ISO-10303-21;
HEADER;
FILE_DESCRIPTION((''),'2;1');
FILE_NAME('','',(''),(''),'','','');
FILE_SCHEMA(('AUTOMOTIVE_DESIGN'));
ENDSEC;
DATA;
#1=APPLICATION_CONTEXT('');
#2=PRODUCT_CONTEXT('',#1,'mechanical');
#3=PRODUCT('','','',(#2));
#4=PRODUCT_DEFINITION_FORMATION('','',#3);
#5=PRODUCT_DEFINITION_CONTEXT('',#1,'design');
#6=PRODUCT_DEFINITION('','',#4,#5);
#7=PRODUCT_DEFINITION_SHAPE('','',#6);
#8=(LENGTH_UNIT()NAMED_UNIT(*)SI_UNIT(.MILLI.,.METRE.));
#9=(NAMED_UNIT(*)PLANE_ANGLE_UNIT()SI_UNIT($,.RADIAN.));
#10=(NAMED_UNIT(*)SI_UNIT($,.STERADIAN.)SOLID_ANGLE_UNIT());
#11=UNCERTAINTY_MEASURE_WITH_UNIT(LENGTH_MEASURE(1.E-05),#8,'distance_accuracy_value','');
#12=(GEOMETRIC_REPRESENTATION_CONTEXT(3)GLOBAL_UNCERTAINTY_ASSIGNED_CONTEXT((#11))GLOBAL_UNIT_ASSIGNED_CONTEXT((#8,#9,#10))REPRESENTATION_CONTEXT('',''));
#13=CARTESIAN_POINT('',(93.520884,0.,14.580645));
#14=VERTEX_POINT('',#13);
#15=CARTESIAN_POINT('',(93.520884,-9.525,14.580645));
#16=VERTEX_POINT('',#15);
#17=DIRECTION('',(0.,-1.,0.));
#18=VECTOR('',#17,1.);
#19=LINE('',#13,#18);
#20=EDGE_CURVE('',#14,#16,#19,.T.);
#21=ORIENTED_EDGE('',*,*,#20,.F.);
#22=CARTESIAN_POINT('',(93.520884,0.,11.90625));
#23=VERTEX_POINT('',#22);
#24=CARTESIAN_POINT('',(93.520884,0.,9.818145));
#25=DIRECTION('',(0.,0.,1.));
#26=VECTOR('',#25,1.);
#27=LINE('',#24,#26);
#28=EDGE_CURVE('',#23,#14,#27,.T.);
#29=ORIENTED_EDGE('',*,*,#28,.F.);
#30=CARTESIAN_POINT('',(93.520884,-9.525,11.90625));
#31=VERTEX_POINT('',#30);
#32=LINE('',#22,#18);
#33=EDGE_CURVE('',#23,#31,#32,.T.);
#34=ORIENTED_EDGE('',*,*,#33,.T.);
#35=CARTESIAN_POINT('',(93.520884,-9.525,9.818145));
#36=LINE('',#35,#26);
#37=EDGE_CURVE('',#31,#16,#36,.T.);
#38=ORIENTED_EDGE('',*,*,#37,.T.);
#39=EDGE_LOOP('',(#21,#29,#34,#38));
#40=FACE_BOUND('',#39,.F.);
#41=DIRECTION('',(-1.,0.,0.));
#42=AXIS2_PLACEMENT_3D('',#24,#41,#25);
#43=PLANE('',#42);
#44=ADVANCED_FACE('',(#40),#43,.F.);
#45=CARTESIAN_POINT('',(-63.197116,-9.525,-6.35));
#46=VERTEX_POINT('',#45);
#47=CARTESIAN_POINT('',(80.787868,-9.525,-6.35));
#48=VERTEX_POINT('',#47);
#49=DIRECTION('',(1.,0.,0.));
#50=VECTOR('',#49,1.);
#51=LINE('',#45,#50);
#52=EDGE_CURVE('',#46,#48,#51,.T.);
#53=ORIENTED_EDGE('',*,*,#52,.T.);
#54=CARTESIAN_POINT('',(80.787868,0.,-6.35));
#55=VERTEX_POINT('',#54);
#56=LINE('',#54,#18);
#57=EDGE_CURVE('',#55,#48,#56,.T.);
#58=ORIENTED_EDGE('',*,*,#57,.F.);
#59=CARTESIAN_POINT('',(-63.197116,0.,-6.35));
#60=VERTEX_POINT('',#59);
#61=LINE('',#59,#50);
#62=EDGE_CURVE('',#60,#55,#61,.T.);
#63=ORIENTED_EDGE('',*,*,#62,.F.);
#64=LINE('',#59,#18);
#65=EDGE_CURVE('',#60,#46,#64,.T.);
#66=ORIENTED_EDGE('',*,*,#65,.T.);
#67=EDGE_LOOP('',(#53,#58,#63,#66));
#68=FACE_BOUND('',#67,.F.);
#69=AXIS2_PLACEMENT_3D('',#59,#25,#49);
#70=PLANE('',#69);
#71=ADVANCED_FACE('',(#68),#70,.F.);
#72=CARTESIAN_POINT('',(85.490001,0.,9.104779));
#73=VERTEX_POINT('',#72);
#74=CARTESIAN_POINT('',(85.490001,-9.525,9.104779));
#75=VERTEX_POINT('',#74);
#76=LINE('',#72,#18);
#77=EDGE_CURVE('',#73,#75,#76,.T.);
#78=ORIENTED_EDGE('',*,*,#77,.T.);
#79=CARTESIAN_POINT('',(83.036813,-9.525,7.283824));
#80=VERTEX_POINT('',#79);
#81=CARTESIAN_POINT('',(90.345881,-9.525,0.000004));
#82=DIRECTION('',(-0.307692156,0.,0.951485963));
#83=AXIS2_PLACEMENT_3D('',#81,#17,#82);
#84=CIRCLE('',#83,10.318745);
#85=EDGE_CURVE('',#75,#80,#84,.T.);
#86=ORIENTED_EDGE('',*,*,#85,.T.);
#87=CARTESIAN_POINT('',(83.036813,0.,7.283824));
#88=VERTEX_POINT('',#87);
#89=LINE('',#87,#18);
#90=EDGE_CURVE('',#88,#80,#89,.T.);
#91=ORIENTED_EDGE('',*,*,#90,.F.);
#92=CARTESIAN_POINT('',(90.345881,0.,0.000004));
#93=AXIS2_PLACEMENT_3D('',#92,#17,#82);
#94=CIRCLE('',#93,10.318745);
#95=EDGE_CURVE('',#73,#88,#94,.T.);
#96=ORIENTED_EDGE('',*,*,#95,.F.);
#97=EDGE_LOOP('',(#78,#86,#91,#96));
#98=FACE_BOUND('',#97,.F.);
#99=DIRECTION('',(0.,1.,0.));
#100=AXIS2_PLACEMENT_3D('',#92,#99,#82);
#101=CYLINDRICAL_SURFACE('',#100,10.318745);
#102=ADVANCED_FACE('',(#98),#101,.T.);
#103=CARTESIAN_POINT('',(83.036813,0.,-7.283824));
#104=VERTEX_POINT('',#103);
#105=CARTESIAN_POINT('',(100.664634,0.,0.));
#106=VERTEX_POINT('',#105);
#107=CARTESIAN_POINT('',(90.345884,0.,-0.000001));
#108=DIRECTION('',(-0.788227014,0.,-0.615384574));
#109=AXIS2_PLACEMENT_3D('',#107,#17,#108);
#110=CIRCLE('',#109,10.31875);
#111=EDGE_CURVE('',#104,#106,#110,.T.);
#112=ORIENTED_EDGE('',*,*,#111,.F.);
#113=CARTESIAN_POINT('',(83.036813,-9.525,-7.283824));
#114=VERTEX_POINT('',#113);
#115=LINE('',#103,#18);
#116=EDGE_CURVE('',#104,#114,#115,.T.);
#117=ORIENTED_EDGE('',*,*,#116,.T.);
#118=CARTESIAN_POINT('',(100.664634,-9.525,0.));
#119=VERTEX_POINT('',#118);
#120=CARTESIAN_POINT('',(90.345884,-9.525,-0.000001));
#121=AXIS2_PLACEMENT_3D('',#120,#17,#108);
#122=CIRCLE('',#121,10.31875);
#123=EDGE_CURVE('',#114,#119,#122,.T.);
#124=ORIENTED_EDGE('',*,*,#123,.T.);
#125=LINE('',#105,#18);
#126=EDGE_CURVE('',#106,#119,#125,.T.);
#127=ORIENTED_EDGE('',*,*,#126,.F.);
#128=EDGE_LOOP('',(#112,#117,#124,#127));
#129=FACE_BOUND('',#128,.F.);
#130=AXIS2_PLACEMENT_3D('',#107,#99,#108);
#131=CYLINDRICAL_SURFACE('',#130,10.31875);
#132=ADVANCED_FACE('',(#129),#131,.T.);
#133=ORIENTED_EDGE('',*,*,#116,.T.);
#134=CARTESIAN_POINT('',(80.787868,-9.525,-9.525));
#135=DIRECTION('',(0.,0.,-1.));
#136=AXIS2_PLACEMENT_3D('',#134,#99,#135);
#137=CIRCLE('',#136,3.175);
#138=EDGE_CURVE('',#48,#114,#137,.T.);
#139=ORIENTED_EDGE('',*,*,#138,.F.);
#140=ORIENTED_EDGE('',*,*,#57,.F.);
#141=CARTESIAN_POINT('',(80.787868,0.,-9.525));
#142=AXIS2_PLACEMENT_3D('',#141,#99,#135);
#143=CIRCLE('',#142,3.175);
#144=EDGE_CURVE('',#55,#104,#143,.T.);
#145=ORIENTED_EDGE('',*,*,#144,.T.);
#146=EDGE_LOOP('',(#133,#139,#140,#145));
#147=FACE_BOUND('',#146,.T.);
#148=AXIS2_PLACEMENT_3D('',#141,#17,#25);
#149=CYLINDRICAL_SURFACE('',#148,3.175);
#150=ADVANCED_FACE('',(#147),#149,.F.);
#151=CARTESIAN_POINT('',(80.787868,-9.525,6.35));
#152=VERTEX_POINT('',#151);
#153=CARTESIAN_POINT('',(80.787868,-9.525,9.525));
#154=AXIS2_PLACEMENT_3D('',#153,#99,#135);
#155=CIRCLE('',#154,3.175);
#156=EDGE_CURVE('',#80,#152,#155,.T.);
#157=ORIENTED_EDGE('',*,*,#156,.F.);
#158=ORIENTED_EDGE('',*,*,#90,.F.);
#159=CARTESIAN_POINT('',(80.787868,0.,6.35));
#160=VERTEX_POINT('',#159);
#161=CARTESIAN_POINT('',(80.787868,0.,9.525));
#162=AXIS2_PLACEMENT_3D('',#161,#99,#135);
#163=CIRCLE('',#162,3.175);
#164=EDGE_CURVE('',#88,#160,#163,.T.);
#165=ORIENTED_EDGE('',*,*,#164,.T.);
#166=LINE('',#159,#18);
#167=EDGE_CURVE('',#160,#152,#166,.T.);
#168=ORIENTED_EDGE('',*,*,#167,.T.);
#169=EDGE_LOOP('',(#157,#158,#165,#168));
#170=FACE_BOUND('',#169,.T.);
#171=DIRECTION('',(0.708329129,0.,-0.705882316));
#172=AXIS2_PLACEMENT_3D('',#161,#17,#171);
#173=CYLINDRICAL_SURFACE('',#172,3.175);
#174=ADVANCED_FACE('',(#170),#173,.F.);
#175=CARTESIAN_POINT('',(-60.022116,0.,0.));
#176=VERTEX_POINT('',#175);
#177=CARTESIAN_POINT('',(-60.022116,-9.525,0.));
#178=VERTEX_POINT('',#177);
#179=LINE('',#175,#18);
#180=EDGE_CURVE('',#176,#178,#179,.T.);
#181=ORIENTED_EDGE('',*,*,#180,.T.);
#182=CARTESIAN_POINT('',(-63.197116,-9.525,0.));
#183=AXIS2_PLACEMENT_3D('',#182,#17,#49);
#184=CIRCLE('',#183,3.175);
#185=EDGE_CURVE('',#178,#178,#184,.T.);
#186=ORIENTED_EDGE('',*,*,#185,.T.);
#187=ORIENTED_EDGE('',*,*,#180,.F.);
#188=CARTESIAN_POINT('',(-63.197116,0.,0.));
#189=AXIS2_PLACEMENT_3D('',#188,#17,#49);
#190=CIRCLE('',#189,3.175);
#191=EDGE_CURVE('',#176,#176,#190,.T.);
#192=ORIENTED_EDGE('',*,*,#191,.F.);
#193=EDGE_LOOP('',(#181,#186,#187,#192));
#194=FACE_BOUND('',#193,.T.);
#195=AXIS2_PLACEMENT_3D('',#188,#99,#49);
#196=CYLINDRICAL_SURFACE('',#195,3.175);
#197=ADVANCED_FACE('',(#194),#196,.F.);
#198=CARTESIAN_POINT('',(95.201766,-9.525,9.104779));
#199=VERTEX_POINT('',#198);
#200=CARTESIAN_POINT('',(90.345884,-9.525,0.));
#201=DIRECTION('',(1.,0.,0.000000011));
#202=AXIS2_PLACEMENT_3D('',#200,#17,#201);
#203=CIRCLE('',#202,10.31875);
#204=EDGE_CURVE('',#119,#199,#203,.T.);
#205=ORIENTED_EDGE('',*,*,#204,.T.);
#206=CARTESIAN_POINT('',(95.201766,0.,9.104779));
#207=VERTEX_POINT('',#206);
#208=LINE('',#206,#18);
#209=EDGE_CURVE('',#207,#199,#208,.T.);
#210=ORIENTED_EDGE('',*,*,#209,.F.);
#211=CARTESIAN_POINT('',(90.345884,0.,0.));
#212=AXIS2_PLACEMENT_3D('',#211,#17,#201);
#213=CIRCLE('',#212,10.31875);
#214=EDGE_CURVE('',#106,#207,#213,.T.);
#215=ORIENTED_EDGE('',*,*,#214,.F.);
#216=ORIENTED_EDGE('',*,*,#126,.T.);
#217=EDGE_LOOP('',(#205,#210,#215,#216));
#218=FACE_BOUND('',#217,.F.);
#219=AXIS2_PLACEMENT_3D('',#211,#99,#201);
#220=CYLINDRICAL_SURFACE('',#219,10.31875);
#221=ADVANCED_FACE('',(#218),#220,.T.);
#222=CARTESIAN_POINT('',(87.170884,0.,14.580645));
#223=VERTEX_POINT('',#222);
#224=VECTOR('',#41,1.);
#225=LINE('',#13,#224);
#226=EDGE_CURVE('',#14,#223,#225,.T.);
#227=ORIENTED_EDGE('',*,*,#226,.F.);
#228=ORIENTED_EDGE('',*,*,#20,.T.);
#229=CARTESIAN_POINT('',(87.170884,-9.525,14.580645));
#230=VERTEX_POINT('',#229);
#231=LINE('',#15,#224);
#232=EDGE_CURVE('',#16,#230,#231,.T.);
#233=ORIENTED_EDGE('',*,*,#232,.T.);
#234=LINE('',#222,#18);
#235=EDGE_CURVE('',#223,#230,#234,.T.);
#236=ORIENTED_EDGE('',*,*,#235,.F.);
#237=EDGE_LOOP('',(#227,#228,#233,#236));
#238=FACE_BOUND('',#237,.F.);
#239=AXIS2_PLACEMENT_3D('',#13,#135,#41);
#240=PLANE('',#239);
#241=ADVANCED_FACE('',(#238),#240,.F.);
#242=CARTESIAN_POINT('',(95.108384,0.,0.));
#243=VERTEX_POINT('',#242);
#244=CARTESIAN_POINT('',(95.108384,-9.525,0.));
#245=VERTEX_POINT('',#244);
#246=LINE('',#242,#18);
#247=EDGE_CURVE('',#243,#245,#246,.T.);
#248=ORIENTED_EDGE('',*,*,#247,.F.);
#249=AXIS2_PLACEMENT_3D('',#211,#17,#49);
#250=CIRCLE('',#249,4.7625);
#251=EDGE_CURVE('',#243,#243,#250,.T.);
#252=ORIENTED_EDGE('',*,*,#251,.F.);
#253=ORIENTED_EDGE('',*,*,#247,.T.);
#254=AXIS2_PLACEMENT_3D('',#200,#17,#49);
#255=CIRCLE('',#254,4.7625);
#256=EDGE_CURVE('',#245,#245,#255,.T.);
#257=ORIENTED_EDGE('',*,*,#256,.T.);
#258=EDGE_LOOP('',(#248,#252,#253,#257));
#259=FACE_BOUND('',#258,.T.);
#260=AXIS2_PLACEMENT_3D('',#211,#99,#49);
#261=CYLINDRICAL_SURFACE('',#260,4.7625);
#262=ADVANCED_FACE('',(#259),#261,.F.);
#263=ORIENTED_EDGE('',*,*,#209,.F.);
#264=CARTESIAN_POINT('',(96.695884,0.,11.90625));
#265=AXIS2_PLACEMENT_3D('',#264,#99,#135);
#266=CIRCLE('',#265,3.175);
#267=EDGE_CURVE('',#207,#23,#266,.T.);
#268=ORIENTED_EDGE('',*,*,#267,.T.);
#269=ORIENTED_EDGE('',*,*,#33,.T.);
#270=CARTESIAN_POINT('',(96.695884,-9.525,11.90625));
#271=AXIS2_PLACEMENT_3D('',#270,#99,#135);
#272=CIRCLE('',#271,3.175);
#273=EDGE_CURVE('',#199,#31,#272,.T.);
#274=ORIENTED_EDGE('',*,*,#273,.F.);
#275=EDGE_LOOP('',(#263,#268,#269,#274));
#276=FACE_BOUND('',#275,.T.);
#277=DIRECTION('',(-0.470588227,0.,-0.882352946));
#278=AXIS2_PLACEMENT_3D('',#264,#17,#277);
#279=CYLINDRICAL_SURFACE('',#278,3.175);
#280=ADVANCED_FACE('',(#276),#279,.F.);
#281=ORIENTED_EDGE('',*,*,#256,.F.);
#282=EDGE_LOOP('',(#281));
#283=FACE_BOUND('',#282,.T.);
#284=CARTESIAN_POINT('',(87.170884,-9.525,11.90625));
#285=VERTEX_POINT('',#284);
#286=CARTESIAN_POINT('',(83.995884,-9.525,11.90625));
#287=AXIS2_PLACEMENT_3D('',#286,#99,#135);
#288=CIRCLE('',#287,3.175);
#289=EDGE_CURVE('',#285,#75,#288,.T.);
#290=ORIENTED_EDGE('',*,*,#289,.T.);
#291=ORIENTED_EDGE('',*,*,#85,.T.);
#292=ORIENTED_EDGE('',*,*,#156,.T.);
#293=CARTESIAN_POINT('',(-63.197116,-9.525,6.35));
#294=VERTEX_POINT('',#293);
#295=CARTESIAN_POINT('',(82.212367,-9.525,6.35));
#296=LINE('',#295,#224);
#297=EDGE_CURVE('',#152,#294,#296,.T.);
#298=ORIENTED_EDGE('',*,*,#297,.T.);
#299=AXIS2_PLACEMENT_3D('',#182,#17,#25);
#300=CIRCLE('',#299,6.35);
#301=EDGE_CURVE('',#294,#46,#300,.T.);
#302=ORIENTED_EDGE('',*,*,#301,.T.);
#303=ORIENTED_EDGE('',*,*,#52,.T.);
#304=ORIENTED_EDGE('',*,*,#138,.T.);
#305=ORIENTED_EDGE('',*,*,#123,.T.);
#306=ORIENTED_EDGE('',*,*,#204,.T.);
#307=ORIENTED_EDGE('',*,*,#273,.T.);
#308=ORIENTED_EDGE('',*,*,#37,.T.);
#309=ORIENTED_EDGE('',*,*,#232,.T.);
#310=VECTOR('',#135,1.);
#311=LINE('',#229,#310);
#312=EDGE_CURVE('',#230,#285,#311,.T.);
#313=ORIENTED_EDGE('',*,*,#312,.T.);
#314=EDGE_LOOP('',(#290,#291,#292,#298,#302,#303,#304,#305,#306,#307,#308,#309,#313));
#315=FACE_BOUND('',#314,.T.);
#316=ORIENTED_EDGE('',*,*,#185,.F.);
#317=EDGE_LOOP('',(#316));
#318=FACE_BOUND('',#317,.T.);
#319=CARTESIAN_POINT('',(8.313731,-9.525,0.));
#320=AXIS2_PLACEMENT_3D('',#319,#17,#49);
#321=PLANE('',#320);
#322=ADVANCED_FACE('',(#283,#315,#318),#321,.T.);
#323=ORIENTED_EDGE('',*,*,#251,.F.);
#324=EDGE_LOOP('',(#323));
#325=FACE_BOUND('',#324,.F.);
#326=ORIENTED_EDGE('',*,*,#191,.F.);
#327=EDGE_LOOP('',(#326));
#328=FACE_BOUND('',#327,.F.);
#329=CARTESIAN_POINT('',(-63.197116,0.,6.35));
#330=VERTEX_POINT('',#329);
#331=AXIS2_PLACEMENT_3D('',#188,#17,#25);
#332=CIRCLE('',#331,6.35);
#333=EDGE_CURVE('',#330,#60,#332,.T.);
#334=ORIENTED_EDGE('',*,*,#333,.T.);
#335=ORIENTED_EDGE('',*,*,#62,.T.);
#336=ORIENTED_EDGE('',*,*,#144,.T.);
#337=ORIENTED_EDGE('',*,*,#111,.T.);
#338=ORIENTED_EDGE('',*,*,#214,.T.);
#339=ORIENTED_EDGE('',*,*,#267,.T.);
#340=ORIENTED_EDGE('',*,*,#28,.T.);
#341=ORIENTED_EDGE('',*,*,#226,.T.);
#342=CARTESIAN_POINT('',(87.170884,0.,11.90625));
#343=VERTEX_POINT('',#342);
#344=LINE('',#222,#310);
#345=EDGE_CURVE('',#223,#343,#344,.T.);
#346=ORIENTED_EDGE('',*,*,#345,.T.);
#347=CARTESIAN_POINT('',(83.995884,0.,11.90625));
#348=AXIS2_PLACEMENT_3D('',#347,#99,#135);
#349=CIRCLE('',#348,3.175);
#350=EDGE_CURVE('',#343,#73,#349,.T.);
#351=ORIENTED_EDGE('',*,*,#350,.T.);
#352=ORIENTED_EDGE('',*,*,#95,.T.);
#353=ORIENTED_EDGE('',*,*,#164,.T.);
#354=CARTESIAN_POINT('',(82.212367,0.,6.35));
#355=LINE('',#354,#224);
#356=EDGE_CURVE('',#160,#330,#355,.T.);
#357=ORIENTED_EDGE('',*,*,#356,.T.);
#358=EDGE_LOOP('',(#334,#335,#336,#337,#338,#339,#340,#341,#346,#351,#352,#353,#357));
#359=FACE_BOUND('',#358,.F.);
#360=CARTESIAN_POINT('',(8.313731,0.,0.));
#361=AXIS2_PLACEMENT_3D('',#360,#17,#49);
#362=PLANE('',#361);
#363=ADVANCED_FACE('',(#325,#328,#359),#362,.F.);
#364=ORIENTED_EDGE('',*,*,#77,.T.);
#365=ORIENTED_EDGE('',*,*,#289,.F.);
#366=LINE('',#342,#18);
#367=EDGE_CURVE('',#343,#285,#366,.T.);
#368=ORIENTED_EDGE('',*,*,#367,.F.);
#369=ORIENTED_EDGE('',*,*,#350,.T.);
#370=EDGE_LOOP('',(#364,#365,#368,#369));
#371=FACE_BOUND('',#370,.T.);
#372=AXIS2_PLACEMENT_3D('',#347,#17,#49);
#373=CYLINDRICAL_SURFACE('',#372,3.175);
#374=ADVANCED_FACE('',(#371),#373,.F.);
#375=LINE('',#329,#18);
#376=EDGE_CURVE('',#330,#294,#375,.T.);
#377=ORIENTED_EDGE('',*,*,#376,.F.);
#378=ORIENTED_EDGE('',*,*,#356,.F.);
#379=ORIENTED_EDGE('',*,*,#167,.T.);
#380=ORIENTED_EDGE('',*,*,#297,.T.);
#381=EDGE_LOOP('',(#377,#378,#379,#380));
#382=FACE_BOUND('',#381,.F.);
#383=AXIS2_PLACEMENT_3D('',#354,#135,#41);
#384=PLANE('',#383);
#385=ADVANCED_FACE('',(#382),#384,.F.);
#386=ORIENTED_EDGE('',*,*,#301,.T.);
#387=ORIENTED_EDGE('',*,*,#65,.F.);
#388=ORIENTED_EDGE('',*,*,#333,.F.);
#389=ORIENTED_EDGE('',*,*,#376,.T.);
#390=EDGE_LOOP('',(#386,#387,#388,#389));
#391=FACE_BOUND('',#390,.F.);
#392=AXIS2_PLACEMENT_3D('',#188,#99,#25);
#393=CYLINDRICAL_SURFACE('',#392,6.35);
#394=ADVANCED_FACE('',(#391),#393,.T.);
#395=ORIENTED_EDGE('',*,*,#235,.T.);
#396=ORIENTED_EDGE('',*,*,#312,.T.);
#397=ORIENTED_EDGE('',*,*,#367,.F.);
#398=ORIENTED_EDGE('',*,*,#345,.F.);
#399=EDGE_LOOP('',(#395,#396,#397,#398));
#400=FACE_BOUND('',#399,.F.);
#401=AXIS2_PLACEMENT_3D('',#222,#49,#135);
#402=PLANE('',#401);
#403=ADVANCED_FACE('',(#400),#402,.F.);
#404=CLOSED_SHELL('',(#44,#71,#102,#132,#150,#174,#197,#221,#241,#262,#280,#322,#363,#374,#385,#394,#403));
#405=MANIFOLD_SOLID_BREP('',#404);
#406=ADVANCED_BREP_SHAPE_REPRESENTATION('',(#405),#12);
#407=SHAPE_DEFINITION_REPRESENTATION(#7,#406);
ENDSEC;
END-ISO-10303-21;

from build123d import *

# Parameters (mm, degrees)
F0_R     = 3.175
F0_R_2   = 4.7625
F1_DEPTH = 9.525
F2_R     = 3.175


with BuildPart() as f1:
    # F0 (on Front) → F1 (new body)
    with BuildSketch(Plane.XZ):
        with BuildLine():
            ThreePointArc((-63.197116, 6.35), (-58.706988, 4.490128), (-56.847116, 0))
            ThreePointArc((-56.847116, 0), (-58.706988, -4.490128), (-63.197116, -6.35))
            Line((-63.197116, -6.35), (82.212367, -6.35))
            ThreePointArc((82.212367, -6.35), (80.027134, 0), (82.212367, 6.35))
            Line((82.212367, 6.35), (-63.197116, 6.35))
        make_face()
        with BuildLine():
            ThreePointArc((-63.197116, -6.35), (-58.706988, -4.490128), (-56.847116, 0))
            ThreePointArc((-56.847116, 0), (-58.706988, 4.490128), (-63.197116, 6.35))
            ThreePointArc((-63.197116, 6.35), (-69.547116, 0), (-63.197116, -6.35))
        make_face()
        with Locations((-63.197116, 0)):
            Circle(F0_R, mode=Mode.SUBTRACT)
        with BuildLine():
            ThreePointArc((87.170884, 9.818145), (84.431693, 8.455705), (82.212367, 6.35))
            ThreePointArc((82.212367, 6.35), (80.027134, 0), (82.212367, -6.35))
            ThreePointArc((82.212367, -6.35), (93.703627, -9.75716), (100.664634, 0))
            ThreePointArc((100.664634, 0), (98.689703, 6.07102), (93.520884, 9.818145))
            ThreePointArc((93.520884, 9.818145), (90.345884, 10.31875), (87.170884, 9.818145))
        make_face()
        with Locations((90.345884, 0)):
            Circle(F0_R_2, mode=Mode.SUBTRACT)
        with BuildLine():
            Line((87.170884, 14.580645), (87.170884, 9.818145))
            ThreePointArc((87.170884, 9.818145), (90.345884, 10.31875), (93.520884, 9.818145))
            Line((93.520884, 9.818145), (93.520884, 14.580645))
            Line((93.520884, 14.580645), (87.170884, 14.580645))
        make_face()
    extrude(amount=F1_DEPTH)

    # F2
    f2_edges = [f1.edges().sort_by_distance(p)[0] for p in [
        (82.212367, -4.7625, 6.35),
        (87.170884, -4.7625, 9.818145),
        (93.520884, -4.7625, 9.818145),
        (82.212367, -4.7625, -6.35),
    ]]
    fillet(f2_edges, radius=F2_R)


solid = f1.part
